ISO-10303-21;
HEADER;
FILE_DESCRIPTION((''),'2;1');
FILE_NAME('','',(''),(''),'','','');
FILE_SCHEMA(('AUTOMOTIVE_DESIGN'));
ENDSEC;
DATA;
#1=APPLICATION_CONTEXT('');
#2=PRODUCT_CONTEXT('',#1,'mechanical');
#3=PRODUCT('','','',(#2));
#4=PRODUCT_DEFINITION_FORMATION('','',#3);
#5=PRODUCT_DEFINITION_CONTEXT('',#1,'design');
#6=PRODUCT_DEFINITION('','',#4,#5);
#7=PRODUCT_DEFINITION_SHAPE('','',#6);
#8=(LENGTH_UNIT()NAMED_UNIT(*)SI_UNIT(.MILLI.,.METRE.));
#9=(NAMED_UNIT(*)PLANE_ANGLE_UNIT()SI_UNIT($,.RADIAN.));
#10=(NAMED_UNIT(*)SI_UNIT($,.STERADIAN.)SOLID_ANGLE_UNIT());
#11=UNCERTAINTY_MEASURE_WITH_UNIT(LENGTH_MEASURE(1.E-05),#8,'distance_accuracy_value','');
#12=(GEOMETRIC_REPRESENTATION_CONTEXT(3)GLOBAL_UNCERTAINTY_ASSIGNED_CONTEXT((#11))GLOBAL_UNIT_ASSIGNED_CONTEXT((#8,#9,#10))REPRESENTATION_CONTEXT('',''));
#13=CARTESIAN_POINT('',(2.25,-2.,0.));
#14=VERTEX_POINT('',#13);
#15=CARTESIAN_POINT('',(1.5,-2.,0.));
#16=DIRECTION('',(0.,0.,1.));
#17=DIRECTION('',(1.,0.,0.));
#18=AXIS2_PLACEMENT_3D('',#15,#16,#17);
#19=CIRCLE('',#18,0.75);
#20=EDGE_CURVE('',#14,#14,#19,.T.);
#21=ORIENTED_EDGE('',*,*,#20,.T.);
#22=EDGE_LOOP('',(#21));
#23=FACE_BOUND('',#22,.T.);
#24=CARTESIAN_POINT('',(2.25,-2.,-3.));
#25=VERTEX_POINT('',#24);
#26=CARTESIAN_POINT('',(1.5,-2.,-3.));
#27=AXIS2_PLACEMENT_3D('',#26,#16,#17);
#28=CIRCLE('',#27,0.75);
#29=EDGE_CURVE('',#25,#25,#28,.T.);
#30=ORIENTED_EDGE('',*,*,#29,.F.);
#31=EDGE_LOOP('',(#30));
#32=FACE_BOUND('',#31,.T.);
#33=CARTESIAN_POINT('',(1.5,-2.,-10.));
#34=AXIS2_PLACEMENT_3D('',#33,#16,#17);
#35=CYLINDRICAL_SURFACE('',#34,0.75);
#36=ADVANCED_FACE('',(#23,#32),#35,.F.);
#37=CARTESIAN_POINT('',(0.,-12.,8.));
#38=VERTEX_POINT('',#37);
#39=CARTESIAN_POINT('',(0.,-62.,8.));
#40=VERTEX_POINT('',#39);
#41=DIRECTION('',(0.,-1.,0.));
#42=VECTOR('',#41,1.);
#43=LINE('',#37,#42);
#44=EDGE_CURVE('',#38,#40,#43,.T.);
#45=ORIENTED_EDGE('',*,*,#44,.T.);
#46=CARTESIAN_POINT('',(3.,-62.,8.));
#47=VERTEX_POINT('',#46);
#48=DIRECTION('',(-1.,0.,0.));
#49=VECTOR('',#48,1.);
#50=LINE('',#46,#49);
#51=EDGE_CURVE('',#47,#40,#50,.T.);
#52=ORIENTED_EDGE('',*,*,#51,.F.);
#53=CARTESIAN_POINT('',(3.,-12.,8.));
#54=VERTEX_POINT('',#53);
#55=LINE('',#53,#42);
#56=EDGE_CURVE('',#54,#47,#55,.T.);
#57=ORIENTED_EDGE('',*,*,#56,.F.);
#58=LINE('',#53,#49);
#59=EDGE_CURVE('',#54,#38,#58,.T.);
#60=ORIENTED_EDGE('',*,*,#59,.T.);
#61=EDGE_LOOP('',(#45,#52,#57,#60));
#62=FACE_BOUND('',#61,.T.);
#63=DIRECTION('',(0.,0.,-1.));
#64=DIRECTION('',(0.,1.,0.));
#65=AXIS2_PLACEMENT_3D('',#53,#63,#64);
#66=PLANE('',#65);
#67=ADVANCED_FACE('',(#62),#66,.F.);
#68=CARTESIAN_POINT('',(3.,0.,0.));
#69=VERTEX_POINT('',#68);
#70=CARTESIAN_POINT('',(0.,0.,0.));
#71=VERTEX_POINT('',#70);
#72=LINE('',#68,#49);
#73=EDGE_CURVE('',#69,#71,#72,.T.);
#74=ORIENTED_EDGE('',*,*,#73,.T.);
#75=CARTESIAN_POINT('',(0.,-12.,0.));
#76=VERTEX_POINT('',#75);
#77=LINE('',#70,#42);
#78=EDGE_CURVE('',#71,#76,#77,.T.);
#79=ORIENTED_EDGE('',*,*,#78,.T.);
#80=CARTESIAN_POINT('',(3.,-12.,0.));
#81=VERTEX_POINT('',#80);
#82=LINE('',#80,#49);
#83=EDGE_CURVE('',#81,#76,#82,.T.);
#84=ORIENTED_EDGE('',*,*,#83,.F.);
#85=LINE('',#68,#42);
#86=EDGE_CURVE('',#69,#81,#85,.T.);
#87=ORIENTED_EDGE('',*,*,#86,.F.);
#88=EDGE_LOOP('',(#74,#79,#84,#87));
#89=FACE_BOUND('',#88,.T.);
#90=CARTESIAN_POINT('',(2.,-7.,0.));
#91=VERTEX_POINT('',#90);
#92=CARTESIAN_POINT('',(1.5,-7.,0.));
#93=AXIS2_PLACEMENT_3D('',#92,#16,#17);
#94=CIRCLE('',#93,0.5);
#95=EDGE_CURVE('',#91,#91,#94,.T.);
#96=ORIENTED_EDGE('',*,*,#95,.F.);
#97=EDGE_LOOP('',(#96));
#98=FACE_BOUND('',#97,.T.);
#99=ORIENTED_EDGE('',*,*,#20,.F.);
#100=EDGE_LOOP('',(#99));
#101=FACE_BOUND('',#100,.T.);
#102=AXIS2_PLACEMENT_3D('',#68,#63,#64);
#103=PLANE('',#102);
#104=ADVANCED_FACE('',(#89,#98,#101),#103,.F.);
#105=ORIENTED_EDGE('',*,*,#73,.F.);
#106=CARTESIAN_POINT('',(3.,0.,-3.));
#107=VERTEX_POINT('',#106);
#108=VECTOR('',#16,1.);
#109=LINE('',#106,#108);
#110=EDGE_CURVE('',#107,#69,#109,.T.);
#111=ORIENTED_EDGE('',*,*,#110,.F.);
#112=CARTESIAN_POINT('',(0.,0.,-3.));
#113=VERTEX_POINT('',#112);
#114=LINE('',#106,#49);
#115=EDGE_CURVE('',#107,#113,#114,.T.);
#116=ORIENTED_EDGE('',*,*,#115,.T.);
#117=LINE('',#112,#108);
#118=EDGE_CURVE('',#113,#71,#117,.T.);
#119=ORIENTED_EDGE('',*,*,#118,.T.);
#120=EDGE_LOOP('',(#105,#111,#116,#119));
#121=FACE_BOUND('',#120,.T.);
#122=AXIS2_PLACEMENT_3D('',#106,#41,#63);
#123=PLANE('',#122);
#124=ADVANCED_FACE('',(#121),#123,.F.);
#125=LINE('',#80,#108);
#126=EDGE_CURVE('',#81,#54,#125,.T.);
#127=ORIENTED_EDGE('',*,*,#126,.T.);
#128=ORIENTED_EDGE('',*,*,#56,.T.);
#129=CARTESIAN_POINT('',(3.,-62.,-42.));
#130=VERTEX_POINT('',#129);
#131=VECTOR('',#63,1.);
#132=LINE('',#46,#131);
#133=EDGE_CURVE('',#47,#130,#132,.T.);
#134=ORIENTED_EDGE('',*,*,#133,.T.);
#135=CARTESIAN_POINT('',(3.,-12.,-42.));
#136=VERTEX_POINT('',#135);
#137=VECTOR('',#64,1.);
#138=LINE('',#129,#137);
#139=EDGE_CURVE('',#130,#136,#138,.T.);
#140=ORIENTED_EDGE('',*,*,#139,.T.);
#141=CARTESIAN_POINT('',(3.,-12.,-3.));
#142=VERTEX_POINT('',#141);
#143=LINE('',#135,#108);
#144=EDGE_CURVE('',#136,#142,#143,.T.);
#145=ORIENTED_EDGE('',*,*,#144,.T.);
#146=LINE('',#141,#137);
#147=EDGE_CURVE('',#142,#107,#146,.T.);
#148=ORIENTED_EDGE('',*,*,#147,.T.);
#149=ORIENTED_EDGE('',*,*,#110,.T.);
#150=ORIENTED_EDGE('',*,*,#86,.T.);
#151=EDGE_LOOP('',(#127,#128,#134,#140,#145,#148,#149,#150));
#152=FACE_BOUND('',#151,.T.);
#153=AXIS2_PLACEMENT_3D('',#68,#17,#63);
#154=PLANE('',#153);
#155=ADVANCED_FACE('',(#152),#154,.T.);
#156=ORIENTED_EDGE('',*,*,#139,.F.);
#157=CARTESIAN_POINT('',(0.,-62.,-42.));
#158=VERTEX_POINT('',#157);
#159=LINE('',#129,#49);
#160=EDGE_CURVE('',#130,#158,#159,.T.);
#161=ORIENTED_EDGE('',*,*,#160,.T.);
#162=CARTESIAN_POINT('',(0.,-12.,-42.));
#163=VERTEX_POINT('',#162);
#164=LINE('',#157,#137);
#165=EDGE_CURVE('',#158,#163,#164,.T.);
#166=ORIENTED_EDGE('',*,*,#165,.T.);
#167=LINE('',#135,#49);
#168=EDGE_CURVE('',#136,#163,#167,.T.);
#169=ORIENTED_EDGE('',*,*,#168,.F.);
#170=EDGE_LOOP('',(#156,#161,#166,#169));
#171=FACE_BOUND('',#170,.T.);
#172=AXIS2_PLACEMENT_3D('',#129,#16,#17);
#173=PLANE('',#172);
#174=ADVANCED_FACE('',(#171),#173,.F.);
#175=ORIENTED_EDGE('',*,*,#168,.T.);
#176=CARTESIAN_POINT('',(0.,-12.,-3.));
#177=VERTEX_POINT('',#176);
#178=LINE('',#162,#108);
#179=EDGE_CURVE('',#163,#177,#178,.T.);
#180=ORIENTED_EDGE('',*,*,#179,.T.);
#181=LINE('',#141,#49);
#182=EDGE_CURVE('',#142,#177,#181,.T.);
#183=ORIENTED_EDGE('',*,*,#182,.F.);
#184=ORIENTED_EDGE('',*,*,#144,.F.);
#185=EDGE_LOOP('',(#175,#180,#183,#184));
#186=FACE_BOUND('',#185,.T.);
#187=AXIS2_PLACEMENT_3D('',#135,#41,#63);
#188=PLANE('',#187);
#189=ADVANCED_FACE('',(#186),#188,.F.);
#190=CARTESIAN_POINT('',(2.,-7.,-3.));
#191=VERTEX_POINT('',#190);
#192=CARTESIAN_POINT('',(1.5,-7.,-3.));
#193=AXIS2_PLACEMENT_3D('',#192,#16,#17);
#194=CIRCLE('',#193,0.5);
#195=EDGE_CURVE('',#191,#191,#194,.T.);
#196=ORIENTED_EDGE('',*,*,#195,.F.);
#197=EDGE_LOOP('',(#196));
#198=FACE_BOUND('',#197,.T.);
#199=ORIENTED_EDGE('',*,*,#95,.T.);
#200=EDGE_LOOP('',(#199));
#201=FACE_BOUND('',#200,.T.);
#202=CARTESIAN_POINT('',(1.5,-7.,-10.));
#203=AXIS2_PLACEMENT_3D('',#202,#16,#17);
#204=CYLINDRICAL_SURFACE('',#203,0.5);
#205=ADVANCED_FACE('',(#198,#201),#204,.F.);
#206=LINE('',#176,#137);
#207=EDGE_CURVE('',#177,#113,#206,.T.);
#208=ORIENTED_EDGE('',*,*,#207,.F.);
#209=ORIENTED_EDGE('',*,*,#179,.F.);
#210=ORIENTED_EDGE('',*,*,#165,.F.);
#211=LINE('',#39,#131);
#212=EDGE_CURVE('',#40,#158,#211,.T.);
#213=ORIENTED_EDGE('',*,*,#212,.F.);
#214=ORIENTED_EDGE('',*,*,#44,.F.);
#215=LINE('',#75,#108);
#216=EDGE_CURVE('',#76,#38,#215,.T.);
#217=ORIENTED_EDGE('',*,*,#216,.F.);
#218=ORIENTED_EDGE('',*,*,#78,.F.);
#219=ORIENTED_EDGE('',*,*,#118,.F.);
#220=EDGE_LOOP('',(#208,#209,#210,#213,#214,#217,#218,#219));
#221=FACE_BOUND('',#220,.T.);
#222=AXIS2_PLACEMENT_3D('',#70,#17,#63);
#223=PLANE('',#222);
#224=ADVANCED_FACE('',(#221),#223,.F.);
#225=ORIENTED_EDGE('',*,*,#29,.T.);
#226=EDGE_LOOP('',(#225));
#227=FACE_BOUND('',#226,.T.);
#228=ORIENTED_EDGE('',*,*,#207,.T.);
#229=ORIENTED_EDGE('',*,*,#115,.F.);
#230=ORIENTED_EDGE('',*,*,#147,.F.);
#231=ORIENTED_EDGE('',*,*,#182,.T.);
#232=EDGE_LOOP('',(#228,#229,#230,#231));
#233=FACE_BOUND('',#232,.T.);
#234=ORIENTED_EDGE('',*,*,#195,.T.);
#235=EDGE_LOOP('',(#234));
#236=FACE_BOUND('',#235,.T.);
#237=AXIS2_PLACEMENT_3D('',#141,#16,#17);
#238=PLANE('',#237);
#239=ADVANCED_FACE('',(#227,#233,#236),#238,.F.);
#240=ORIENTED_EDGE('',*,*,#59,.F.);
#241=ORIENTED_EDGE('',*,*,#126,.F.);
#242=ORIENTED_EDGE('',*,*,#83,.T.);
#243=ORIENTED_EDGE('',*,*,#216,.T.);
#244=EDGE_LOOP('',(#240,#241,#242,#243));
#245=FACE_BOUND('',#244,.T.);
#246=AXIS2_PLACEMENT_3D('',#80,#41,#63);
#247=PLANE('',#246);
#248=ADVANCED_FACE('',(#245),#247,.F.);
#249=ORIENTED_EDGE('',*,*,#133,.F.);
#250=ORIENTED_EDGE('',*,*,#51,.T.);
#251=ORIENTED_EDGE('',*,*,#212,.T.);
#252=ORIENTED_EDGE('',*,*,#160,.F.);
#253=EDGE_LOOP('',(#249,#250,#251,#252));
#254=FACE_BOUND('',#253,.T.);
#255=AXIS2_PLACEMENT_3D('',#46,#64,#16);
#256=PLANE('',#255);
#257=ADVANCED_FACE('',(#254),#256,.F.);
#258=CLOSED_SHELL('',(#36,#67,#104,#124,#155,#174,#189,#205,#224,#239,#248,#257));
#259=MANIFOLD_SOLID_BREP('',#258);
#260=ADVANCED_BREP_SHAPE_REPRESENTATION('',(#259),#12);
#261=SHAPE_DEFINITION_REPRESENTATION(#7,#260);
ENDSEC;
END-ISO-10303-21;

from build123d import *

# Parameters (mm, degrees)
BOSS_EXTRUDE1_DEPTH = 3
SKETCH2_R           = 0.75
SKETCH2_R_2         = 0.5
CUT_EXTRUDE1_DEPTH  = 10


with BuildPart() as part:
    # Sketch1 → Boss-Extrude1 (new body)
    with BuildSketch(Plane(origin=(0, 0, 0), x_dir=(0, 0, -1), z_dir=(1, 0, 0))):
        Polygon((0, 0), (0, -12), (-8, -12), (-8, -62), (42, -62), (42, -12), (3, -12), (3, 0), align=None)
    extrude(amount=BOSS_EXTRUDE1_DEPTH)

    # Sketch2 → Cut-Extrude1 (cut)
    with BuildSketch(Plane.XY):
        with Locations((1.5, -2)):
            Circle(SKETCH2_R)
        with Locations((1.5, -7)):
            Circle(SKETCH2_R_2)
    extrude(amount=-CUT_EXTRUDE1_DEPTH, mode=Mode.SUBTRACT)


solid = part.part
